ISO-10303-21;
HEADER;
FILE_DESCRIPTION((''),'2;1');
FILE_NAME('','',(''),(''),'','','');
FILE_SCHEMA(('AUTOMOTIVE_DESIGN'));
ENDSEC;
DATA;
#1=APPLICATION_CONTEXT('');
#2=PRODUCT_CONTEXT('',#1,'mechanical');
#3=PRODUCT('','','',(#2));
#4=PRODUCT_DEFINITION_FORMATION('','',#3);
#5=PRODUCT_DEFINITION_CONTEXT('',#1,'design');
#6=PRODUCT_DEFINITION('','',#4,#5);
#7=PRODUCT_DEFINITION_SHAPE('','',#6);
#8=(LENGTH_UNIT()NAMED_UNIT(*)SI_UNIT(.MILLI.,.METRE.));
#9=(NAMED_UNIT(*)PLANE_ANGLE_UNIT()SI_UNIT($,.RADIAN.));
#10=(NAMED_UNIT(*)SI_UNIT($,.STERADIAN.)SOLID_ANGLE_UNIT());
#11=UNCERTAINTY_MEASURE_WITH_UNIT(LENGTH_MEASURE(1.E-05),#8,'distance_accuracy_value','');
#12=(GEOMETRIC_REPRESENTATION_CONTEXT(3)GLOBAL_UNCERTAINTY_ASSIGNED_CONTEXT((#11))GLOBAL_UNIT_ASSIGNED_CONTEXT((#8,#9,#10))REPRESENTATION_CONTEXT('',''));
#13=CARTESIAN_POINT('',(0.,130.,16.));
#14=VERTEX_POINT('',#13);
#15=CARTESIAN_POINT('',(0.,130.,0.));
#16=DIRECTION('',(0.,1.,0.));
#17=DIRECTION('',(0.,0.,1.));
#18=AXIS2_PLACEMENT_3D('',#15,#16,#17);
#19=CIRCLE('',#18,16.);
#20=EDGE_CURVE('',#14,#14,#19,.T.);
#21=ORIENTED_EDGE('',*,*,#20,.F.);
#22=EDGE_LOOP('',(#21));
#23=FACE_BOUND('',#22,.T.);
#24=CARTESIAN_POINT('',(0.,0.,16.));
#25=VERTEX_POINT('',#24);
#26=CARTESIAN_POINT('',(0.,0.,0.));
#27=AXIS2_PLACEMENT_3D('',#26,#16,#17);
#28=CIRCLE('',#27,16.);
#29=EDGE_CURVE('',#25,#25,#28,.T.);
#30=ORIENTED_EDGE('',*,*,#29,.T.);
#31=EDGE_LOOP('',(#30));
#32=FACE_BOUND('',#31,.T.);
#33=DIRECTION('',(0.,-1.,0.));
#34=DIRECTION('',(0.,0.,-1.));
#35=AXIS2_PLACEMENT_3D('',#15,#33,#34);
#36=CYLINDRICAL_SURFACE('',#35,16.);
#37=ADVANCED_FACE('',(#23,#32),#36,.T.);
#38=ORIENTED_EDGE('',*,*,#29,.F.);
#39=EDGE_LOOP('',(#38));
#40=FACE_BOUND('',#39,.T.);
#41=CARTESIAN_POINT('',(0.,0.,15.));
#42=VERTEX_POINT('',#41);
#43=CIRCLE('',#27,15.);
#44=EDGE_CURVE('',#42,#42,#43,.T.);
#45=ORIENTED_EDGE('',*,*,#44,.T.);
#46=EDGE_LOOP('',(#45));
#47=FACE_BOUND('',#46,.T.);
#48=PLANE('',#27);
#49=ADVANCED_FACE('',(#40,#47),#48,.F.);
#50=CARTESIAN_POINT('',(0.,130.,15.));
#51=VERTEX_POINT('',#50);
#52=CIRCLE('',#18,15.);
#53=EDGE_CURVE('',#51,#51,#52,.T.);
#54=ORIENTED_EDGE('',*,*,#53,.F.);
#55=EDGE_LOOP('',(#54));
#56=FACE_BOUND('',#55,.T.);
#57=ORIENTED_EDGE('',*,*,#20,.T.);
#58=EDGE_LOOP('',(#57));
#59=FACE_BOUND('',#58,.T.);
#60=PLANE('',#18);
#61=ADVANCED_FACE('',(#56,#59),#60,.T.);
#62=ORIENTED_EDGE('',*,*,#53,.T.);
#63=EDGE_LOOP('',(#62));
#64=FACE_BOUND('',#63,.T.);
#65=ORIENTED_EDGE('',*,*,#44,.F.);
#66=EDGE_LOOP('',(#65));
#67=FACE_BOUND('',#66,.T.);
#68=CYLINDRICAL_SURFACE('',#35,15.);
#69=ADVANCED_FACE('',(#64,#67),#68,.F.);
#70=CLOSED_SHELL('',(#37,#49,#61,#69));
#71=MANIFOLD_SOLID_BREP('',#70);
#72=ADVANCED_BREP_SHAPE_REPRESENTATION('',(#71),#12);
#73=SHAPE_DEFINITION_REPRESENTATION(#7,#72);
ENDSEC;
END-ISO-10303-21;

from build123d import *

# Parameters (mm, degrees)
SKETCH_1_R      = 16
SKETCH_1_R_2    = 15
EXTRUDE_1_DEPTH = 130


with BuildPart() as part:
    # 草图1 → 凸台-拉伸1 (new body)
    with BuildSketch(Plane(origin=(0, 0, 0), x_dir=(1, 0, 0), z_dir=(0, 1, 0))):
        Circle(SKETCH_1_R)
        Circle(SKETCH_1_R_2, mode=Mode.SUBTRACT)
    extrude(amount=EXTRUDE_1_DEPTH)


solid = part.part
